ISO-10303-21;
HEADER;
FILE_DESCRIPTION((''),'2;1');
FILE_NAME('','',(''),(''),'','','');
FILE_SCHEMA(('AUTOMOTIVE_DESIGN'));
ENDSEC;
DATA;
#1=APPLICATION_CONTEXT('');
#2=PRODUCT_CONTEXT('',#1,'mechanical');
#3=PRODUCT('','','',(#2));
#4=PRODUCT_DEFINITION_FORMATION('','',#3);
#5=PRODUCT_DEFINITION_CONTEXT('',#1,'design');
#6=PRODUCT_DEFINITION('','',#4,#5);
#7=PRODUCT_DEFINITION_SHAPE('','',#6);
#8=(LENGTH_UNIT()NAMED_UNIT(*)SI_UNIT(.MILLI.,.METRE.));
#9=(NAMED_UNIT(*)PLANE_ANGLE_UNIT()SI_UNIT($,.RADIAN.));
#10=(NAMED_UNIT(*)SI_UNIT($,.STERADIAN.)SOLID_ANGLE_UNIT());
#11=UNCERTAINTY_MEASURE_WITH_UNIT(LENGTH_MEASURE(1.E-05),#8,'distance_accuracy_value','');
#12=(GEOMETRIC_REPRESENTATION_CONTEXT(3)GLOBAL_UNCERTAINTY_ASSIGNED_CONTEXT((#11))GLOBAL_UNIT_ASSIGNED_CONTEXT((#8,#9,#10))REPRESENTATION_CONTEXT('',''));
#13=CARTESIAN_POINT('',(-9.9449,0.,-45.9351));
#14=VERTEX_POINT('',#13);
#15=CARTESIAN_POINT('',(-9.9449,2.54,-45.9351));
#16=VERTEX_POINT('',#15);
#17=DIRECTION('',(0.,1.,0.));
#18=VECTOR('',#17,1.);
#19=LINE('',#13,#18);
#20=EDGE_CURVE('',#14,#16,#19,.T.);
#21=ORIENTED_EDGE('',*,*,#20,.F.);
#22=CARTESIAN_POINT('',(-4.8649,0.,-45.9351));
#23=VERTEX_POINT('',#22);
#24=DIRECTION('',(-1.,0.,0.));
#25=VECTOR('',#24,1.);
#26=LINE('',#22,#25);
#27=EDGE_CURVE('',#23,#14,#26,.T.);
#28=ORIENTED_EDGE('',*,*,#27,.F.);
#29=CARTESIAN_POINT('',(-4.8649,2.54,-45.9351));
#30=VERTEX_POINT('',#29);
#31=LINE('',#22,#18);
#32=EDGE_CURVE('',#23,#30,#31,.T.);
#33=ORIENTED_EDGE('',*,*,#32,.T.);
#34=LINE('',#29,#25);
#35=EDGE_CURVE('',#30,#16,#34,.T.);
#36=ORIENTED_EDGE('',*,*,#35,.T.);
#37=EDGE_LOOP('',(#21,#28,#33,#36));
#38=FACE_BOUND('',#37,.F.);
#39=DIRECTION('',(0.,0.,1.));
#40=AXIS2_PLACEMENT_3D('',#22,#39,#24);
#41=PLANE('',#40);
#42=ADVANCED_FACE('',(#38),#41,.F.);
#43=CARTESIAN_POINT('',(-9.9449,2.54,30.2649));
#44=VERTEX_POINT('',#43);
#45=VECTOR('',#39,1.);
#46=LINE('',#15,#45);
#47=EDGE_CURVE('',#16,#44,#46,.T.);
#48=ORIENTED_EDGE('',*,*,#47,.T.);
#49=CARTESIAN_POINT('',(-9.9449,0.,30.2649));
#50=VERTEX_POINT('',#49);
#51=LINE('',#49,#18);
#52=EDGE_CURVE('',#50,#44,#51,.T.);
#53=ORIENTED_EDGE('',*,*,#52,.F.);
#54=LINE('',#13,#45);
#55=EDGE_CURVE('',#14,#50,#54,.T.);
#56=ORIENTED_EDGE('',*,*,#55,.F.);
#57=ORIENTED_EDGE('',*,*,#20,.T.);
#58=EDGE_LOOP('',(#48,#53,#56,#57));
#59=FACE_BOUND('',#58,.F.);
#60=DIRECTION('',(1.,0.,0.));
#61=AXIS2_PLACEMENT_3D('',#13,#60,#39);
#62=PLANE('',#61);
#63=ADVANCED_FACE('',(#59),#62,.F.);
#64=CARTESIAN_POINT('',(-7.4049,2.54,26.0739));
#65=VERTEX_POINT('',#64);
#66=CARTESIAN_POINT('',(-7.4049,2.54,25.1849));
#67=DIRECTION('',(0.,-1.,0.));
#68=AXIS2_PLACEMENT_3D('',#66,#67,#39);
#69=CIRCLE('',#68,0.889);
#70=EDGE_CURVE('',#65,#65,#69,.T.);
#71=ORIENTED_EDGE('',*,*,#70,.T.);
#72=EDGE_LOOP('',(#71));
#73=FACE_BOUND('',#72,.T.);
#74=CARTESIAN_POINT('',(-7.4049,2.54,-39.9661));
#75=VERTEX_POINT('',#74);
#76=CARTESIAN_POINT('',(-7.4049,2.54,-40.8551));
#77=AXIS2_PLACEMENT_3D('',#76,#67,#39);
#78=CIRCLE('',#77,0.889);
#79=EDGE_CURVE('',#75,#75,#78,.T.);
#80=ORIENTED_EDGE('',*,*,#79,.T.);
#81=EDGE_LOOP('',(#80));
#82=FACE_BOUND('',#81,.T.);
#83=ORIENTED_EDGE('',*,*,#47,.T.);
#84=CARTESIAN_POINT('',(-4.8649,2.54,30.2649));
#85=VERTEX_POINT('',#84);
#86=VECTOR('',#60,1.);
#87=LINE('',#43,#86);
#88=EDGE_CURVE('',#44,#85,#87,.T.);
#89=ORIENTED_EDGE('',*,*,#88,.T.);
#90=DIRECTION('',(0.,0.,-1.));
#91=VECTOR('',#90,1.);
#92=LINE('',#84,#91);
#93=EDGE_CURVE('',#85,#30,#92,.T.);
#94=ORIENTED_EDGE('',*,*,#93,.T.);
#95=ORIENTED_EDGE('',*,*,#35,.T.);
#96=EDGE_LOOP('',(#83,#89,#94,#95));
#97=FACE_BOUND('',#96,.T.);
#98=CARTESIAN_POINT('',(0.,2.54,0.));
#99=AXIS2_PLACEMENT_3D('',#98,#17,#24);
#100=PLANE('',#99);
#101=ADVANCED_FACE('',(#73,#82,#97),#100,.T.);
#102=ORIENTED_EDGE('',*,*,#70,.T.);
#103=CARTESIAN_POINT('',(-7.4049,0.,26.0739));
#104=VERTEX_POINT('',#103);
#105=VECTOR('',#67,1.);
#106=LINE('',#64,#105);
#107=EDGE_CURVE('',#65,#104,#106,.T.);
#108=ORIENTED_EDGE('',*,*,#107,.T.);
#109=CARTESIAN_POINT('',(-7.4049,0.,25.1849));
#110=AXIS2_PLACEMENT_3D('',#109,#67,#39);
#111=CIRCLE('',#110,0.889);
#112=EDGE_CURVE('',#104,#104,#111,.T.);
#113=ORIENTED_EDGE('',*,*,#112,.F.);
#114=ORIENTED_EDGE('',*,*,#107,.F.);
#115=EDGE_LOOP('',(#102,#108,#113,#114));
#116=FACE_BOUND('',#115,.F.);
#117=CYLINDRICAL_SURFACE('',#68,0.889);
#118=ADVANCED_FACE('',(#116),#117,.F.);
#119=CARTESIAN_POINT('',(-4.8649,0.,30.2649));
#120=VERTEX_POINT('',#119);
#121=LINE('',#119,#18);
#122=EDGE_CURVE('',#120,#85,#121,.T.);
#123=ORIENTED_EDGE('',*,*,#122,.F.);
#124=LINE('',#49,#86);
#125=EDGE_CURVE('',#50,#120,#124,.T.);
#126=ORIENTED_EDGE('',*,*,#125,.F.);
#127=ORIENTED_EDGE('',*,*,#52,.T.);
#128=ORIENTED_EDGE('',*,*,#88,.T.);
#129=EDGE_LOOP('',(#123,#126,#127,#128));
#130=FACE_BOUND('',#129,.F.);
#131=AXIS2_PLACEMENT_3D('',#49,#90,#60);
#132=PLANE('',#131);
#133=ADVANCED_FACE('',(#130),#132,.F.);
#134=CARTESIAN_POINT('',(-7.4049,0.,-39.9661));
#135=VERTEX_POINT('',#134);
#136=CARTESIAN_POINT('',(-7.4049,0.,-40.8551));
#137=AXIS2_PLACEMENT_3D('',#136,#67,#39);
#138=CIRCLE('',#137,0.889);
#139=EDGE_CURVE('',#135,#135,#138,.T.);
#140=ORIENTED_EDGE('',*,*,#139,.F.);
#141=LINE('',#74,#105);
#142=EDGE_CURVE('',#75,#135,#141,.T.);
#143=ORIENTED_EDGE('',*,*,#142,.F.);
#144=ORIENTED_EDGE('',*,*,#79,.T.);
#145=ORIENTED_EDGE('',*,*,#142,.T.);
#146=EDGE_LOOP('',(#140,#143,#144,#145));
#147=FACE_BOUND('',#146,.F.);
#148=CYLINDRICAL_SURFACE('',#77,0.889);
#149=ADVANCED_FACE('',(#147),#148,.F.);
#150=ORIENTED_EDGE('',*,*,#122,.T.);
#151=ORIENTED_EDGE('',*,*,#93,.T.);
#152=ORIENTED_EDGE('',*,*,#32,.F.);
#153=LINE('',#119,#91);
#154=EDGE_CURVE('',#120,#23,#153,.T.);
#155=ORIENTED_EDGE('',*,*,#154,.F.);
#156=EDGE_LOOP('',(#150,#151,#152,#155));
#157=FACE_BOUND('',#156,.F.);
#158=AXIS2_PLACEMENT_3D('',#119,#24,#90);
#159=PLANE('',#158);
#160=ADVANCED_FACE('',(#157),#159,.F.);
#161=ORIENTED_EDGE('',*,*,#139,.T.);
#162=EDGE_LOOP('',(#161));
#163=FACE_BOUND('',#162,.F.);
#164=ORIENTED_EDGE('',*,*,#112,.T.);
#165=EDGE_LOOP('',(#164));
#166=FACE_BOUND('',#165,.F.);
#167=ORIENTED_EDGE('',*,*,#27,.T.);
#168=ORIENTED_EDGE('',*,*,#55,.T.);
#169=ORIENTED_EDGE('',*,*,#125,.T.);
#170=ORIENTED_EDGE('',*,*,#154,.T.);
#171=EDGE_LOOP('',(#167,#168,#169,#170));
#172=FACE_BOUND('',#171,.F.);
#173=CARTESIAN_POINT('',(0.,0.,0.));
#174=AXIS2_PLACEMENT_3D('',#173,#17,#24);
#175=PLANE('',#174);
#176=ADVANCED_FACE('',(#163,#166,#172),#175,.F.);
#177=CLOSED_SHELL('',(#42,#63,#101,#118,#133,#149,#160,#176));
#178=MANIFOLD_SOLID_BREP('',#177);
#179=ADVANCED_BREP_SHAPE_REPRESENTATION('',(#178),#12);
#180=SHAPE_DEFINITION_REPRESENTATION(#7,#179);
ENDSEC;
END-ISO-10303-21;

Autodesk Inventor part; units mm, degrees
ref_plane "YZ Plane" through (0, 0, 0) normal (1, 0, 0) x (0, 1, 0)
ref_plane "XZ Plane" through (0, 0, 0) normal (0, 1, 0) x (-1, 0, 0)
ref_plane "XY Plane" through (0, 0, 0) normal (0, 0, 1) x (1, 0, 0)
sketch "Sketch1" plane through (0, 0, 0) normal (0, 1, 0) x (-1, 0, 0)
  line L0 (9.9449, 30.2649) -> (4.8649, 30.2649)
  line L1 (4.8649, 30.2649) -> (4.8649, -45.9351)
  line L2 (4.8649, -45.9351) -> (9.9449, -45.9351)
  line L3 (9.9449, -45.9351) -> (9.9449, 30.2649)
  point P0 (0, 0)
  dimension "d0" = 76.2
  dimension "d1" = 5.08
extrude "Extrusion1" add sketch "Sketch1" along normal blind 2.54
sketch "Sketch2" plane through (0, 2.54, 0) normal (0, 1, 0) x (1, 0, 0)
  line L0 (-9.9449, -30.2649) -> (-4.8649, -30.2649) projected
  line L1 (-9.9449, 45.9351) -> (-9.9449, -30.2649) projected
  line L2 (-4.8649, 45.9351) -> (-9.9449, 45.9351) projected
  point P0 (0, 0)
  point P1 (-7.4049, -25.1849)
  point P2 (-7.4049, 40.8551)
  dimension "d4" = 5.08
  dimension "d5" = 2.54
  dimension "d6" = 2.54
  dimension "d7" = 5.08
hole "Hole1" at (-7.4049, 2.54, 25.1849) at (-7.4049, 2.54, -40.8551) direction (0, -1, 0) diameter 1.778 end through all
properties part number "Arms"
